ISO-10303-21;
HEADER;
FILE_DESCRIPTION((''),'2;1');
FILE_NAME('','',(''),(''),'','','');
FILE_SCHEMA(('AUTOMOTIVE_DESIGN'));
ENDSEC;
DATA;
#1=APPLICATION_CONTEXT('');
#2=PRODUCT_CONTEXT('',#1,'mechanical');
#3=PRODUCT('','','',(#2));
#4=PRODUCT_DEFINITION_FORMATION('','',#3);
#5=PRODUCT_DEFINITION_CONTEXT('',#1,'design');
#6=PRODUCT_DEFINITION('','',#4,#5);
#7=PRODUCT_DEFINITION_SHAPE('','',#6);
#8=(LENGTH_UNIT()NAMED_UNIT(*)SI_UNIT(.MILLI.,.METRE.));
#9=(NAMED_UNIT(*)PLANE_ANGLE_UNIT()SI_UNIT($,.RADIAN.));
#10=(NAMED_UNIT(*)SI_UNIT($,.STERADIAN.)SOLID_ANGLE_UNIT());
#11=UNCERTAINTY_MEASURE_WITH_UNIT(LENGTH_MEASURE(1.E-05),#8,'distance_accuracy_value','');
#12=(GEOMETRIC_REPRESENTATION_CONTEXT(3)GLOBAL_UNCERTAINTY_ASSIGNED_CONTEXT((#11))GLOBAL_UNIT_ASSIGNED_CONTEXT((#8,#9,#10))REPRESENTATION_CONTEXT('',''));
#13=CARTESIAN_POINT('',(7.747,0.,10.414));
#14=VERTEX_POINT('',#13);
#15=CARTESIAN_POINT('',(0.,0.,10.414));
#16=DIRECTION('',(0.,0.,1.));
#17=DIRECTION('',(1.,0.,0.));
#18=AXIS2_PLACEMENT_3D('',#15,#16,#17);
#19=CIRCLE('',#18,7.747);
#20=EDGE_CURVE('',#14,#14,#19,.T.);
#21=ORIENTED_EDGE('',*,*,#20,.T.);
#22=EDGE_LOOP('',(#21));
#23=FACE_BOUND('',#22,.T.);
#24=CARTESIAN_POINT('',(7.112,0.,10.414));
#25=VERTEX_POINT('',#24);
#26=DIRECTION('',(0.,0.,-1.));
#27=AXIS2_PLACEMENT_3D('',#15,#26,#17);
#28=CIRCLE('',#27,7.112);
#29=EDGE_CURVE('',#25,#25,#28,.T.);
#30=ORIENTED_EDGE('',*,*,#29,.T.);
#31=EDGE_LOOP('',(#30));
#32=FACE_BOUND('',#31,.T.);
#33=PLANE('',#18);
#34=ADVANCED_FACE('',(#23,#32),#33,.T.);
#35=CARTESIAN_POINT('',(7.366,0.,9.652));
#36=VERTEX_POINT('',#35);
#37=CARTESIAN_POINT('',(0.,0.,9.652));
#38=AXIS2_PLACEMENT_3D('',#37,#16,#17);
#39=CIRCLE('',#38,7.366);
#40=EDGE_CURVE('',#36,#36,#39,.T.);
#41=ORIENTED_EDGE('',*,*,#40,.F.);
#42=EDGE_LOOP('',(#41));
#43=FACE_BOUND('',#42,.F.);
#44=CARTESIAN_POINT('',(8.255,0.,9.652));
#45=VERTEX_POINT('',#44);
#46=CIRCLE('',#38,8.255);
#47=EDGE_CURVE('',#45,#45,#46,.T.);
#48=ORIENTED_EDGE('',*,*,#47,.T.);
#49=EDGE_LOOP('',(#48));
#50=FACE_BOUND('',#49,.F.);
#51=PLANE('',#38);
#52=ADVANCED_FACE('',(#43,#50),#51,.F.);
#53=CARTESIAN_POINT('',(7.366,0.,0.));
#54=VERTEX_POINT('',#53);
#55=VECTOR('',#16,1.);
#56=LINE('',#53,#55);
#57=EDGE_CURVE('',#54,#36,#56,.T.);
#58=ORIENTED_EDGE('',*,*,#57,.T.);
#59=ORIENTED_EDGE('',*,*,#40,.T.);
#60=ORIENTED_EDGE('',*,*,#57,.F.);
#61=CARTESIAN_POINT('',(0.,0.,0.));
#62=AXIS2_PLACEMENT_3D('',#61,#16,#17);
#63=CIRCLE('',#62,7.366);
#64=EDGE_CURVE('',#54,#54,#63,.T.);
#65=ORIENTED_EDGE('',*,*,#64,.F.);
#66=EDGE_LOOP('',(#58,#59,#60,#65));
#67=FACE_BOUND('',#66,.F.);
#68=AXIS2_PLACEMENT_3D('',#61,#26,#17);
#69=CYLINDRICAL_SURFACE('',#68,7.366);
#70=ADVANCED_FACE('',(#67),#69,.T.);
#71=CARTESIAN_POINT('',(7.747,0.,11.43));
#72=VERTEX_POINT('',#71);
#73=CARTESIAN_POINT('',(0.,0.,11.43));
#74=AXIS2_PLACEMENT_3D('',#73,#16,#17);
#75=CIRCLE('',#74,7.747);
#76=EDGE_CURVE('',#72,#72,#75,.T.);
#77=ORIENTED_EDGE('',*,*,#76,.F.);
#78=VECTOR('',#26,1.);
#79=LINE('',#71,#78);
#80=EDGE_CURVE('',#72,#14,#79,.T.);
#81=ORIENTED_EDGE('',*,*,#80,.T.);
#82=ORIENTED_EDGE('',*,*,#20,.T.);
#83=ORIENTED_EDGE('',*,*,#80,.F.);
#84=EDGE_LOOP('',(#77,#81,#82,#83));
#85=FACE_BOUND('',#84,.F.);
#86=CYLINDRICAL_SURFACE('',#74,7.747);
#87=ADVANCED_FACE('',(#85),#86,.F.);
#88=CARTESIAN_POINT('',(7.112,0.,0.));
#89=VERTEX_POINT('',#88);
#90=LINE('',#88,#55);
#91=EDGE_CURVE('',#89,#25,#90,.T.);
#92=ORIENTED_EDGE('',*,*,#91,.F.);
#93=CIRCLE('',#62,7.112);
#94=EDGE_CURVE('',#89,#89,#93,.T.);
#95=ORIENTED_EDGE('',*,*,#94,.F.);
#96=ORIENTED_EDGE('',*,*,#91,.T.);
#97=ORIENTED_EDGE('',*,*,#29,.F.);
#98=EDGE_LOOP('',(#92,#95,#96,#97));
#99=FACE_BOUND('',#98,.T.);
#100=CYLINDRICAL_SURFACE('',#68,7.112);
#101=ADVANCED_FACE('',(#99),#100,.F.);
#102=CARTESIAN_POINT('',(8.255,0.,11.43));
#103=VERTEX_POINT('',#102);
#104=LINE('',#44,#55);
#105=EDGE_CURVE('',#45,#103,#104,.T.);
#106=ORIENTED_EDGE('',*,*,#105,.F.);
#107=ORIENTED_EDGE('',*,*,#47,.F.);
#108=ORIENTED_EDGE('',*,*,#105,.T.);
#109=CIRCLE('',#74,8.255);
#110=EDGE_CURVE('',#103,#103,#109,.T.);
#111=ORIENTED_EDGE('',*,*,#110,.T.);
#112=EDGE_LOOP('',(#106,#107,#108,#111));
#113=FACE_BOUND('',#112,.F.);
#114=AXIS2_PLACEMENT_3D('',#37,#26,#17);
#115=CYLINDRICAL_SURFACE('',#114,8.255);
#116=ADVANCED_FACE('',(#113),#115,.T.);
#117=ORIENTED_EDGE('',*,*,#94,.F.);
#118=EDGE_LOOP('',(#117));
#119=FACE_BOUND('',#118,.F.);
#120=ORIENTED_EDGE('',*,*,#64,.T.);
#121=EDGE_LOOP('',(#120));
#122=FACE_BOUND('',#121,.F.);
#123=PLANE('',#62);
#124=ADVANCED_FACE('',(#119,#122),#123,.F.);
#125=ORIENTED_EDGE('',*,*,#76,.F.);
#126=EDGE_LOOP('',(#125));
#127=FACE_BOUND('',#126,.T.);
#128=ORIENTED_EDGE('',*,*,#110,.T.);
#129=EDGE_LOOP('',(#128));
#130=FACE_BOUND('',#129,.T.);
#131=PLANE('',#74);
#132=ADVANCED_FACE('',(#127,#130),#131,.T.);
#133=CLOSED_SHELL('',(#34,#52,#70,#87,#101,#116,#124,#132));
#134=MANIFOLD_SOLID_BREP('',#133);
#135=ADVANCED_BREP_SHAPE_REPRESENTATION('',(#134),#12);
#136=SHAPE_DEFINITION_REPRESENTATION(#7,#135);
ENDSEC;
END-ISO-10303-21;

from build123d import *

# Parameters (mm, degrees)
F1_R     = 7.366
F2_DEPTH = 9.652
F3_R     = 8.255
F4_DEPTH = 1.778
F5_R     = 7.747
F6_DEPTH = 1.016
F0_R     = 7.112
F7_DEPTH = 19.304


with BuildPart() as f2:
    # F1 (on Top) → F2 (new body)
    with BuildSketch(Plane.XY):
        Circle(F1_R)
    extrude(amount=F2_DEPTH)

    # F3 (on face) → F4 (join)
    with BuildSketch(Plane.XY.offset(9.652)):
        Circle(F3_R)
    extrude(amount=F4_DEPTH)

    # F5 (on face) → F6 (cut)
    with BuildSketch(Plane.XY.offset(11.43)):
        Circle(F5_R)
    extrude(amount=-F6_DEPTH, mode=Mode.SUBTRACT)

    # F0 (on Top) → F7 (cut)
    with BuildSketch(Plane.XY):
        Circle(F0_R)
    extrude(amount=F7_DEPTH, mode=Mode.SUBTRACT)


solid = f2.part
